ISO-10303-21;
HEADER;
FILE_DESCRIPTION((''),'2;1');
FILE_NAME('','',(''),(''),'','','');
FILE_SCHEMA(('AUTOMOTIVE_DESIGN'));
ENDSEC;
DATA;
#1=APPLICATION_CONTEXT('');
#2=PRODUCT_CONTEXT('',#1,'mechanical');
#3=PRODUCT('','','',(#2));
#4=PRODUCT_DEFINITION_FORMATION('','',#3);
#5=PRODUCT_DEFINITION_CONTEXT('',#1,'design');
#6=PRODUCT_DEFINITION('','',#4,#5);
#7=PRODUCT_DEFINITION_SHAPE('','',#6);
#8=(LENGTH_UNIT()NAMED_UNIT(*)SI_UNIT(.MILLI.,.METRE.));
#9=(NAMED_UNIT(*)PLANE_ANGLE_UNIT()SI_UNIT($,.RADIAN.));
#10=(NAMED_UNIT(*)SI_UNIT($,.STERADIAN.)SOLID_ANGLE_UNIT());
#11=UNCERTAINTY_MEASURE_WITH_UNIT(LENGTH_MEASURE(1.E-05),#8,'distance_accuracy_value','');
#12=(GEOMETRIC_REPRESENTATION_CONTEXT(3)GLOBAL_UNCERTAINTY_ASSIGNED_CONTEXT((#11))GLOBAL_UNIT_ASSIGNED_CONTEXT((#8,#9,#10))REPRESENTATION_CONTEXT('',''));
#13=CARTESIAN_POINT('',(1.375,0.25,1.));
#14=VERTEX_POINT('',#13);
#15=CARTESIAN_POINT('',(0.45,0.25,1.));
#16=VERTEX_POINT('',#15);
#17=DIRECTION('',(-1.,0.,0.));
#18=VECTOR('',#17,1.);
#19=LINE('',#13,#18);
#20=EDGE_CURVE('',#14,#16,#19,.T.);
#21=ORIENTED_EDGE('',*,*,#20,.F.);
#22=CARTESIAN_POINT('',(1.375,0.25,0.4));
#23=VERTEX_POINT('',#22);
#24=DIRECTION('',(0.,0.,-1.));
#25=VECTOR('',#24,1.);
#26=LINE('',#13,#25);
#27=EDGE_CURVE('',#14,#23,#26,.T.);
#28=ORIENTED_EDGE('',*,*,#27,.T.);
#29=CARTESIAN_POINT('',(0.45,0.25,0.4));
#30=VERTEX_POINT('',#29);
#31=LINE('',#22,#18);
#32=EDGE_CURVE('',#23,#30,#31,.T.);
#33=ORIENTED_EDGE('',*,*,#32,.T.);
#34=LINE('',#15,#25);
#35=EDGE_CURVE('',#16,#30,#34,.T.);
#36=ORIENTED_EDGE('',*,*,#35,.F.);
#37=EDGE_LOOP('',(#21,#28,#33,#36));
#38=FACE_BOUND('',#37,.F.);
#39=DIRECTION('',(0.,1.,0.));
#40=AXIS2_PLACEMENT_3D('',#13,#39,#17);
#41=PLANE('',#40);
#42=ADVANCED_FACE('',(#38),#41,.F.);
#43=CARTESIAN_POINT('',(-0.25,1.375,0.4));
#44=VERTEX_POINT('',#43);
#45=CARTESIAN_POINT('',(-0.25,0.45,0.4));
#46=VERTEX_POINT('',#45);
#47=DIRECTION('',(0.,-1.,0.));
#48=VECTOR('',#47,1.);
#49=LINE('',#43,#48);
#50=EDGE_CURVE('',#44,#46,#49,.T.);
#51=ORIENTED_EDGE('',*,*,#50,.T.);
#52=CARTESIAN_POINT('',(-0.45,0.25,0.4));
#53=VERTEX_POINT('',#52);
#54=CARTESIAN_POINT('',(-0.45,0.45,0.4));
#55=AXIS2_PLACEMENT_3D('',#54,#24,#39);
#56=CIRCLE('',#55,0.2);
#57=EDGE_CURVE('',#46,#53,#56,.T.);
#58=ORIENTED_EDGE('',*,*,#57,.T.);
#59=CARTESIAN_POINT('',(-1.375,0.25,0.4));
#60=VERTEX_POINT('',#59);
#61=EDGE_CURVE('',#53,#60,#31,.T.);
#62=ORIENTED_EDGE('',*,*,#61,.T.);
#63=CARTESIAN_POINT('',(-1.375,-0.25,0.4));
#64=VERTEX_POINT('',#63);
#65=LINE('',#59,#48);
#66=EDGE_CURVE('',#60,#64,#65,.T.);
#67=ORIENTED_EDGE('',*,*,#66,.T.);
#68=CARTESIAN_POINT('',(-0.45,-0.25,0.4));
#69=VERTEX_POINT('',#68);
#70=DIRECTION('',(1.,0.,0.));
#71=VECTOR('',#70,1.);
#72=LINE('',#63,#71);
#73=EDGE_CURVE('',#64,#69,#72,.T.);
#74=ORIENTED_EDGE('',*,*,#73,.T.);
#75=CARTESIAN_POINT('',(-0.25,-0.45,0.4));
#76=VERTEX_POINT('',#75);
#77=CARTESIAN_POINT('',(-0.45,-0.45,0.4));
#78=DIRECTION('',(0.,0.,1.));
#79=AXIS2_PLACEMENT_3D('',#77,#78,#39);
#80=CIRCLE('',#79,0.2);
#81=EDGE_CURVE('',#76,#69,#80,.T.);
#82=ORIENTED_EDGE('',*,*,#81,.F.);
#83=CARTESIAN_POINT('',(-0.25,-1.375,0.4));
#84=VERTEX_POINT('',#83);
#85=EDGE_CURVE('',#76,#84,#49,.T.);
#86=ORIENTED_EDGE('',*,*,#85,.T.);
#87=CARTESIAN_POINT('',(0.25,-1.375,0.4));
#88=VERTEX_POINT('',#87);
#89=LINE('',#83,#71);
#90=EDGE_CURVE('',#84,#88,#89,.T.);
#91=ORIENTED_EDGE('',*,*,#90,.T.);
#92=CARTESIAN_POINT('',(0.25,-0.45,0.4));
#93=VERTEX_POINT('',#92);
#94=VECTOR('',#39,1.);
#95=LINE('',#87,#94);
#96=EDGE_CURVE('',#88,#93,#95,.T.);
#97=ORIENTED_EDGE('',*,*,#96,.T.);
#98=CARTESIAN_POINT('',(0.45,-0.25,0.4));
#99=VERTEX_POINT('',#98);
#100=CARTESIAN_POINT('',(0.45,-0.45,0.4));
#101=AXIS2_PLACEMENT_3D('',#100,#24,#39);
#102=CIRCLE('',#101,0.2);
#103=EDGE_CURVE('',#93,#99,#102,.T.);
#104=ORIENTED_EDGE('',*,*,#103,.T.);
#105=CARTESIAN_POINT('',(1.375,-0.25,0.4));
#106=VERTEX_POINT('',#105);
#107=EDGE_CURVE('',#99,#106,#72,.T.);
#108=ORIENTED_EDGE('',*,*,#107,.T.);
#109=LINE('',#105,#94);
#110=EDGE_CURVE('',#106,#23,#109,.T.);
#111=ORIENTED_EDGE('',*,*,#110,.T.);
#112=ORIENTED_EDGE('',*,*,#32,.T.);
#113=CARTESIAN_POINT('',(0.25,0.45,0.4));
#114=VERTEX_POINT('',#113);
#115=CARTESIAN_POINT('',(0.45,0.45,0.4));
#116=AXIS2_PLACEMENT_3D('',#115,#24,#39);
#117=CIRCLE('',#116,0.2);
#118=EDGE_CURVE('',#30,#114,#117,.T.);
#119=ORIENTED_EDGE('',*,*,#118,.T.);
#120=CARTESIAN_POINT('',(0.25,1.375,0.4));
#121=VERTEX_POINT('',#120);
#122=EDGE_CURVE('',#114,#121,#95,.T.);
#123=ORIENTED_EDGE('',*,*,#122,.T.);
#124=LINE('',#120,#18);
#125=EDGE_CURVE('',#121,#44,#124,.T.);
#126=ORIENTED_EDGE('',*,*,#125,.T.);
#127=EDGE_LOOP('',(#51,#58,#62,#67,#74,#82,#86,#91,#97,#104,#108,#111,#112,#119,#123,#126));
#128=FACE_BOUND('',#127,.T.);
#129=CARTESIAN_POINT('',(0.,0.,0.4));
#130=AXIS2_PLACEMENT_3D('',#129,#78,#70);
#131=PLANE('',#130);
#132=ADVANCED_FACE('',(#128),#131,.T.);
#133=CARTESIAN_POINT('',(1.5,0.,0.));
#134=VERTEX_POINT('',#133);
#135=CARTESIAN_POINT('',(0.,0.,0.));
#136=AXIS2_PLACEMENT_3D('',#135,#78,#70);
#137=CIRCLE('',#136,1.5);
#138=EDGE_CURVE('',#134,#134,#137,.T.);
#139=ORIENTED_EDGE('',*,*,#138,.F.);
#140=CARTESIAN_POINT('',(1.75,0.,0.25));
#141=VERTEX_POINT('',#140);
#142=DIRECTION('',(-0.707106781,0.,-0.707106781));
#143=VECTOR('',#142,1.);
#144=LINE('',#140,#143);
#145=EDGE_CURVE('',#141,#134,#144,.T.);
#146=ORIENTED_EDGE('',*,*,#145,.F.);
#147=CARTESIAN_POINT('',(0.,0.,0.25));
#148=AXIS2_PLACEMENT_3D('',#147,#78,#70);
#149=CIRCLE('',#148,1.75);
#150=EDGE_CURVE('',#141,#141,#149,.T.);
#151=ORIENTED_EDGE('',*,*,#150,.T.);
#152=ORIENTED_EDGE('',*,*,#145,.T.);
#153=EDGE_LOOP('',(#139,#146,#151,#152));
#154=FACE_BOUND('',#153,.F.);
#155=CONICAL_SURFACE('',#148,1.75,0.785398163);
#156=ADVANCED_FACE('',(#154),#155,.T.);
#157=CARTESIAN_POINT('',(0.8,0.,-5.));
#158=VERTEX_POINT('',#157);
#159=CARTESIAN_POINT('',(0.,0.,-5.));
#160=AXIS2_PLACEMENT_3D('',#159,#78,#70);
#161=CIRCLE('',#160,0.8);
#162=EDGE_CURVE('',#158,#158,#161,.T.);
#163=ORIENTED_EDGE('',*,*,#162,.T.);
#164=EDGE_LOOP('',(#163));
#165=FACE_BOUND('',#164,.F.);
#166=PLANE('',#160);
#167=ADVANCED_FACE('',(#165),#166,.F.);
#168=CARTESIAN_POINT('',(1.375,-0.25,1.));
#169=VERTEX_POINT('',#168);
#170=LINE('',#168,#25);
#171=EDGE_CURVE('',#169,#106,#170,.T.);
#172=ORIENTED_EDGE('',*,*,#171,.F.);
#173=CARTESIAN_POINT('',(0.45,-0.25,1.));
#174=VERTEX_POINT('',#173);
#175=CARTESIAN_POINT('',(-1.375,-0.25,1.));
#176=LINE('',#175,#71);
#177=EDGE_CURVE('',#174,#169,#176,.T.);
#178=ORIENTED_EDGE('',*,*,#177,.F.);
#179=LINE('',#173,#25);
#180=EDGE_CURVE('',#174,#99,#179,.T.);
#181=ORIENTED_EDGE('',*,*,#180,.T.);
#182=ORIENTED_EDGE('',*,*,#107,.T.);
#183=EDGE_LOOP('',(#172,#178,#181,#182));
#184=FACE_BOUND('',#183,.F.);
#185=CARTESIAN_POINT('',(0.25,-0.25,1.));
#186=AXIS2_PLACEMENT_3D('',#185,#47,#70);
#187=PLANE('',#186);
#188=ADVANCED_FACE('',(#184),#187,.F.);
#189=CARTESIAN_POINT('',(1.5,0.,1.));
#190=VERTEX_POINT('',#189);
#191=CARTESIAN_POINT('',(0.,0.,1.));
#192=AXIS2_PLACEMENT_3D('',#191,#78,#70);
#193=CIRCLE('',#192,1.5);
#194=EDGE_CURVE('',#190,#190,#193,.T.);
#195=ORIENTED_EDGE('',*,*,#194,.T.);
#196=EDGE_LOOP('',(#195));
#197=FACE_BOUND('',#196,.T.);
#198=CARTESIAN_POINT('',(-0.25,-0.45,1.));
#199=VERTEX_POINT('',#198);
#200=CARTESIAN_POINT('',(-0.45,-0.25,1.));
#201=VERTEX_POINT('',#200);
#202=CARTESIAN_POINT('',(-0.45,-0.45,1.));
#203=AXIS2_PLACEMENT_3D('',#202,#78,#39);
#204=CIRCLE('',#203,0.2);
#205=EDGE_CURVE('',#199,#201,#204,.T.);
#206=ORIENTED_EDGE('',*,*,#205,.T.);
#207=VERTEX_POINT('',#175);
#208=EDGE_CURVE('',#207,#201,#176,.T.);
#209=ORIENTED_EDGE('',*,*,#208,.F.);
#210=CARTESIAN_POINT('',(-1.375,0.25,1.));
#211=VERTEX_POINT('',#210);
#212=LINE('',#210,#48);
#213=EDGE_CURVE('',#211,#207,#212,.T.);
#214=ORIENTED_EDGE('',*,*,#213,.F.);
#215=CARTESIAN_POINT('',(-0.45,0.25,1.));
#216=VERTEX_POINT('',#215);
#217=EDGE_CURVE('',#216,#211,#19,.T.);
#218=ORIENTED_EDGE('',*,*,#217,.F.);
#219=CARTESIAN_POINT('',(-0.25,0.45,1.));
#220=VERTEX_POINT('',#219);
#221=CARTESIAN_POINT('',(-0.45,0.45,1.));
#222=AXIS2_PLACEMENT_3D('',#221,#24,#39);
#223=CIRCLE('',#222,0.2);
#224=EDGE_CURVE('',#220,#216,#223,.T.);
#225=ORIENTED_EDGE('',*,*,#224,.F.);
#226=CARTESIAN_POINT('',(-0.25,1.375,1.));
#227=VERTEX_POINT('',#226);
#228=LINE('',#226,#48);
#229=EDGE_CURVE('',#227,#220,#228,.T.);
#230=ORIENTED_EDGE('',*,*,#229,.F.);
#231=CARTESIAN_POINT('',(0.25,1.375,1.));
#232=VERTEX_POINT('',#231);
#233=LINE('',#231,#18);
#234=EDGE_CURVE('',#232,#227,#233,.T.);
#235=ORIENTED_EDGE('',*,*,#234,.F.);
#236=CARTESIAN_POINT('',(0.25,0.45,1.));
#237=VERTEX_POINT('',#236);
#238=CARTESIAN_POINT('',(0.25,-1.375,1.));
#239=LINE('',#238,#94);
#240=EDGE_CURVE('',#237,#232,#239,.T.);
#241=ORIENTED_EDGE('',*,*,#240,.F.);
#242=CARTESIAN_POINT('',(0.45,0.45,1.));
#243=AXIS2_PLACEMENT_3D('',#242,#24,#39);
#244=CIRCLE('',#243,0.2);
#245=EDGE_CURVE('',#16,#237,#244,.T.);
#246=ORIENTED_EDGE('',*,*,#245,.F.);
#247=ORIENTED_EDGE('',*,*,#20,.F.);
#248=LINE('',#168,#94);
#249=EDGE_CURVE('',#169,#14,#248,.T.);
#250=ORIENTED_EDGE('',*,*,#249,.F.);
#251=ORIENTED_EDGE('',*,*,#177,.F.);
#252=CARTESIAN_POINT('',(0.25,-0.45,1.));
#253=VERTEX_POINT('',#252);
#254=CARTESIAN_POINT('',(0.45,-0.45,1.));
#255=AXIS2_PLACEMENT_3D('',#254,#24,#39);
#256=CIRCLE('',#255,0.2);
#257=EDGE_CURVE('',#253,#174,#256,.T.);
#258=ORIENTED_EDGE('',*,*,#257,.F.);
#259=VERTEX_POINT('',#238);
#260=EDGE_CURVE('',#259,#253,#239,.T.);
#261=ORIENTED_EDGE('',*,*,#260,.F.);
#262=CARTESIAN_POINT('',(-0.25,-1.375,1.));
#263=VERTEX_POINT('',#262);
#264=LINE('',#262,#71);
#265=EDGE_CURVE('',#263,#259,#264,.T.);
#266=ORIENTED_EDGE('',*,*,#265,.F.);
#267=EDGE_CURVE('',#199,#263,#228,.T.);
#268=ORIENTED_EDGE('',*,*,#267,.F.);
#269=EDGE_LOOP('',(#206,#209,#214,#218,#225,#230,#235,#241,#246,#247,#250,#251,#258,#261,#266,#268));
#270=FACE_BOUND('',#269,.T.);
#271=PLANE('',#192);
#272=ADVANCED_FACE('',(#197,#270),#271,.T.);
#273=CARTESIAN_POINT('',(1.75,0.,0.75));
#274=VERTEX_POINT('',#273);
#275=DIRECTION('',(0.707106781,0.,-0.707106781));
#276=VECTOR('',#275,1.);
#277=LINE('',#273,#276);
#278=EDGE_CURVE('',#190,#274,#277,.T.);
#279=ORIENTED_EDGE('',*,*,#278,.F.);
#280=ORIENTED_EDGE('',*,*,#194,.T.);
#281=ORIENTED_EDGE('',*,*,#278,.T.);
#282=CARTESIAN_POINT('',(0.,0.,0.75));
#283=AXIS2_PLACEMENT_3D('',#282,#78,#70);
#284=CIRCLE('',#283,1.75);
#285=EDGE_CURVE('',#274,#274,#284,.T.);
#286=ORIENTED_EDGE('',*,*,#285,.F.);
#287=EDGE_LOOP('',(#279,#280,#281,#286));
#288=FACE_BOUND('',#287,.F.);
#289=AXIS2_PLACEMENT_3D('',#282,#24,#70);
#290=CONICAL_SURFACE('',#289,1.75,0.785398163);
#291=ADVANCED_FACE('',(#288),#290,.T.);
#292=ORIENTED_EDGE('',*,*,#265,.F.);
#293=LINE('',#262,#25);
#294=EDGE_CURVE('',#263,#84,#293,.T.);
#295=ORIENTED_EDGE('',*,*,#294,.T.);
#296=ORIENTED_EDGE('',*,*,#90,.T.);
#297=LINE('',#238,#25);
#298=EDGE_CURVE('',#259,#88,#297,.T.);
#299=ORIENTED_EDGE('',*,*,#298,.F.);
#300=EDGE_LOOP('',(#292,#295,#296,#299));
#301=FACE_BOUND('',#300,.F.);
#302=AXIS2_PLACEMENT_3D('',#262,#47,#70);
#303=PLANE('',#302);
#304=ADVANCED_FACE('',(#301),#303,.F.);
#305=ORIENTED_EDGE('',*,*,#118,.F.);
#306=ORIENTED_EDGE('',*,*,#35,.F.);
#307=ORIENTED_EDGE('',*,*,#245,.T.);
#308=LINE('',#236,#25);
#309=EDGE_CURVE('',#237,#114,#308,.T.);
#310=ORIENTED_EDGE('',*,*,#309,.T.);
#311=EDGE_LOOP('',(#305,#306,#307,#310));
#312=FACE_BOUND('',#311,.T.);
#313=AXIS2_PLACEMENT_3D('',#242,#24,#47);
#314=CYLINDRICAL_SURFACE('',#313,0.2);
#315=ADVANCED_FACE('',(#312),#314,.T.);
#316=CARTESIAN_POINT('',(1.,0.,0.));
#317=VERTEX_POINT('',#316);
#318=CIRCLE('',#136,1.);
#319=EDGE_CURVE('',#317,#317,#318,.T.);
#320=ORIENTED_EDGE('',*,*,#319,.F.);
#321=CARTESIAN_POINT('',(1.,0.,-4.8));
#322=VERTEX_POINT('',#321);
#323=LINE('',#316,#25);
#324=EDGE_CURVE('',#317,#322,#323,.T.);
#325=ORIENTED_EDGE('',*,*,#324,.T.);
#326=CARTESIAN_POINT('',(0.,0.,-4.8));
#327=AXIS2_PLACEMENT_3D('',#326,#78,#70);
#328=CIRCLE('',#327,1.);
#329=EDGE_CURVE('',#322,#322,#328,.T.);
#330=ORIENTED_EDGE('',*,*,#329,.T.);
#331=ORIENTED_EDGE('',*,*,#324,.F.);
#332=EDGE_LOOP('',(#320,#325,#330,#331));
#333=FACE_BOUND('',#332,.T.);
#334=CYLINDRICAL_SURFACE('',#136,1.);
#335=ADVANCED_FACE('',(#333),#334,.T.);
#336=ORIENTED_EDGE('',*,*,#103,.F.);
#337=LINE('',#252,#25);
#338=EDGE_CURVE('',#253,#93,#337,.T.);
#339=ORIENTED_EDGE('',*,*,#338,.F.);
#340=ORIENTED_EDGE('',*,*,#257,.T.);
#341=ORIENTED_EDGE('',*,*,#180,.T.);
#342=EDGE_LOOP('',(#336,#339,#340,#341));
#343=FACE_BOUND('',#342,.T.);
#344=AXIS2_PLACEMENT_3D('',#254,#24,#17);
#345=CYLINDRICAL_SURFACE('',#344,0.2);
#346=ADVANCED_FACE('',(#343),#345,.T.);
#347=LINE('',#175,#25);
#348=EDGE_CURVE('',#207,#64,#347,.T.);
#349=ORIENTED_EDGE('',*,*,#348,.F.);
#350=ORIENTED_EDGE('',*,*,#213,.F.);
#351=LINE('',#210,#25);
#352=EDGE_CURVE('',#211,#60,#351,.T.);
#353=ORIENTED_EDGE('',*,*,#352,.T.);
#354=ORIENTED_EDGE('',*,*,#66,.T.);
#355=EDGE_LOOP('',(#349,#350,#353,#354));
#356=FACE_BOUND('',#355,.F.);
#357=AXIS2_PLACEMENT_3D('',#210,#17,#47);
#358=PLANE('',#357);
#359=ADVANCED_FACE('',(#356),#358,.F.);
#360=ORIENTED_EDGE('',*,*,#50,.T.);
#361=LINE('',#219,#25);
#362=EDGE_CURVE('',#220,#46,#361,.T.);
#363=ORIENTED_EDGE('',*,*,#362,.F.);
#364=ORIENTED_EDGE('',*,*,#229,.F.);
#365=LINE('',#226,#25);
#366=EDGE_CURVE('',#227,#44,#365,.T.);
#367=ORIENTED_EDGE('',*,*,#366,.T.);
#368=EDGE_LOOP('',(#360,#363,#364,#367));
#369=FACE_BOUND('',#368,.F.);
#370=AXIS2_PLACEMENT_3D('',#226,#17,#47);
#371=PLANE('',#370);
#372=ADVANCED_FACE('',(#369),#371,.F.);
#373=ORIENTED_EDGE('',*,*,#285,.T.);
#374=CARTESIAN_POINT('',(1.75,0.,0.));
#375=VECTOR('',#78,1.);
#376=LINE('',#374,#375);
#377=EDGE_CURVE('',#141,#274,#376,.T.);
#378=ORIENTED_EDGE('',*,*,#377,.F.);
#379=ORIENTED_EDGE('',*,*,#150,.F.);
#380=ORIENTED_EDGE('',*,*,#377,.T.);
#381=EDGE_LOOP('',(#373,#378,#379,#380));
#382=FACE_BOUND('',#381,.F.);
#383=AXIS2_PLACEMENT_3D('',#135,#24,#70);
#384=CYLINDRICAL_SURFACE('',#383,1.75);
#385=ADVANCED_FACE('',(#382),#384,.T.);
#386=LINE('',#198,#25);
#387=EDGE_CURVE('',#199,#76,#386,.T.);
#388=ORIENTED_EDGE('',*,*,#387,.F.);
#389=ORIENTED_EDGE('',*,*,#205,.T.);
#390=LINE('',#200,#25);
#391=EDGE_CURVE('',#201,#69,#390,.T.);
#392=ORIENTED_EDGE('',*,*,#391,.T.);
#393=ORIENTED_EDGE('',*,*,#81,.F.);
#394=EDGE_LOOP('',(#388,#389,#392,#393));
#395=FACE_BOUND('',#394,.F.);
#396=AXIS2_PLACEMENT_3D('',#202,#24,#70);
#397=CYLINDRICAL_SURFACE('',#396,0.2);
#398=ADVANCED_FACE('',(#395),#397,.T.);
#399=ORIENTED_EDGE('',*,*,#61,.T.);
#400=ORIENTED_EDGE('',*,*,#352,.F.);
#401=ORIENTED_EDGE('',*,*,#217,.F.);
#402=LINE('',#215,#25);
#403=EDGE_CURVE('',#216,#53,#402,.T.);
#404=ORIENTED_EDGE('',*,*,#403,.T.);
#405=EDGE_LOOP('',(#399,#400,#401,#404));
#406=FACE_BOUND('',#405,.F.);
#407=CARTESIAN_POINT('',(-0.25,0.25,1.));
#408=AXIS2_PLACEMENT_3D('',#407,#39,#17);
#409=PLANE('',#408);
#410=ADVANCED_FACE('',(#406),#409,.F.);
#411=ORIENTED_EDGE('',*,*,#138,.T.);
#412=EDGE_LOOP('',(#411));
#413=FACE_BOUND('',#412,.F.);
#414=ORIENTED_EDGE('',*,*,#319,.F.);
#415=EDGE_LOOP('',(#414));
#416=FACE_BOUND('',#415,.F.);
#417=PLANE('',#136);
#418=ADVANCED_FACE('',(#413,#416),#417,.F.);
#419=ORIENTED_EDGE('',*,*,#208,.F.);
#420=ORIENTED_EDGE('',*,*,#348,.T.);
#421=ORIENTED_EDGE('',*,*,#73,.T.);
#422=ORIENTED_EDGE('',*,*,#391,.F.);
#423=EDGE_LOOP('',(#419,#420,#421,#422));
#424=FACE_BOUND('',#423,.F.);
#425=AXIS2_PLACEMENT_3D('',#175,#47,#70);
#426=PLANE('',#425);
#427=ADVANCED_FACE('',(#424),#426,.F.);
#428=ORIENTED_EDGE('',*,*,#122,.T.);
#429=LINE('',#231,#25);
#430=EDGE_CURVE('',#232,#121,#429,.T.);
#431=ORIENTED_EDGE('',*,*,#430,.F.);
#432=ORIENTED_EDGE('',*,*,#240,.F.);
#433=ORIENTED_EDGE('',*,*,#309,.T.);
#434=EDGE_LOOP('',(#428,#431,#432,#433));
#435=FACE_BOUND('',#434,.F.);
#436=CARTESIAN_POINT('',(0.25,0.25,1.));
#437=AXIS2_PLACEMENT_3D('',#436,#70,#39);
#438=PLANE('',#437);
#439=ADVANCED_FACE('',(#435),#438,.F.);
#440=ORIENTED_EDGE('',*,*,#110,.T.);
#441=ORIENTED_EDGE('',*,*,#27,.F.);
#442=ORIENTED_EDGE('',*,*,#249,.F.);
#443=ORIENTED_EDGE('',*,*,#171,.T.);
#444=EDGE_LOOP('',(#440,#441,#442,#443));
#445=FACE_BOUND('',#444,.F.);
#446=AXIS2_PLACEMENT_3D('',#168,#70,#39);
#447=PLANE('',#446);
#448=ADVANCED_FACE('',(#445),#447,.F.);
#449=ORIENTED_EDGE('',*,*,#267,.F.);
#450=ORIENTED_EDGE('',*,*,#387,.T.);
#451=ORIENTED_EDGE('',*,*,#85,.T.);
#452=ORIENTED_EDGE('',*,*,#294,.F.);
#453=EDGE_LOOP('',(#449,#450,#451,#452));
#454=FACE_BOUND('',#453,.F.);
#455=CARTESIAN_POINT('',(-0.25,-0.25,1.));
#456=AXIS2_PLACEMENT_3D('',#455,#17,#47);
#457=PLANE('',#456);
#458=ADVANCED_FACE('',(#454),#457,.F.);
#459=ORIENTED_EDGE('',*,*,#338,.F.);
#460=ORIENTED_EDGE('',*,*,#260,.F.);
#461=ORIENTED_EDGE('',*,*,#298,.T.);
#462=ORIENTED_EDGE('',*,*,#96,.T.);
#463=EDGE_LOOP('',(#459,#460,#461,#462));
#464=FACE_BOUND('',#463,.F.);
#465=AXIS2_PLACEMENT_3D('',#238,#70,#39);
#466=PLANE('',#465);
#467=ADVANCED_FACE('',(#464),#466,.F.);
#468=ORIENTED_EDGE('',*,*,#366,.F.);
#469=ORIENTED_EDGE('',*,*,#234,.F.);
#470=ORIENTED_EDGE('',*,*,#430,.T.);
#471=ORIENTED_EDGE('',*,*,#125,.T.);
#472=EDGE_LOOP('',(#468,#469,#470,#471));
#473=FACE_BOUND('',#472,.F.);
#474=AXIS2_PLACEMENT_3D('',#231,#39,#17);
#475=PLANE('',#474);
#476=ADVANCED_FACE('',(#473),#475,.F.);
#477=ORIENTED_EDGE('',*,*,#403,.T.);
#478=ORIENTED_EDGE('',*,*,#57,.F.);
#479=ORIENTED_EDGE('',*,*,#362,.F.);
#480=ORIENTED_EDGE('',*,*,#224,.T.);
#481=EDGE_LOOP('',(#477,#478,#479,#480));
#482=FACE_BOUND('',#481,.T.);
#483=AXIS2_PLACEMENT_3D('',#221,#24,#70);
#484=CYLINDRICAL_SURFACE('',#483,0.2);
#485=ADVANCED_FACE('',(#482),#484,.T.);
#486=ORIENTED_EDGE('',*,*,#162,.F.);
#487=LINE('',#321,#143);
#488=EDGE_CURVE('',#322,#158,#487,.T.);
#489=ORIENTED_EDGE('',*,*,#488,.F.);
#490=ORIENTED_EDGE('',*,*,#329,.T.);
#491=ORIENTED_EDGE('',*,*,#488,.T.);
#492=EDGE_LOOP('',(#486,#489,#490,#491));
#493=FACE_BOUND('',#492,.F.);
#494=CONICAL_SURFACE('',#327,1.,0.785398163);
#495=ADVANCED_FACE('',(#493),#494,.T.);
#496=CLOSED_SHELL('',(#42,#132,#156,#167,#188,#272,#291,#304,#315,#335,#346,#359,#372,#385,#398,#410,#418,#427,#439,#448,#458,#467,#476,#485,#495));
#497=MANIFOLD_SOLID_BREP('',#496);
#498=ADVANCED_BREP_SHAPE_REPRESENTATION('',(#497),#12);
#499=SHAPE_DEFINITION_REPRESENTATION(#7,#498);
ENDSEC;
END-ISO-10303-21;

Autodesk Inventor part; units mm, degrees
ref_plane "YZ Plane" through (0, 0, 0) normal (1, 0, 0) x (0, 1, 0)
ref_plane "XZ Plane" through (0, 0, 0) normal (0, 1, 0) x (-1, 0, 0)
ref_plane "XY Plane" through (0, 0, 0) normal (0, 0, 1) x (1, 0, 0)
sketch "Esboço1" plane through (0, 0, 0) normal (0, 0, 1) x (1, 0, 0)
  circle A0 centre (0, 0) radius 1
  dimension "d0" = 2
extrude "Extrusão1" add sketch "Esboço1" against normal blind 5
sketch "Esboço2" plane through (0, 0, 0) normal (0, 0, 1) x (1, 0, 0)
  circle A0 centre (0, 0) radius 1.75
  dimension "d3" = 3.5
extrude "Extrusão2" add sketch "Esboço2" along normal blind 1
sketch "Esboço3" plane through (0, 0, 1) normal (0, 0, 1) x (1, 0, 0)
  line L0 (-0.25, -1.375) -> (0.25, -1.375)
  line L1 (0.25, -1.375) -> (0.25, 1.375)
  line L2 (0.25, 1.375) -> (-0.25, 1.375)
  line L3 (-0.25, 1.375) -> (-0.25, -1.375)
  line L4 (-0.25, -1.375) -> (0.25, 1.375) construction
  line L5 (0.25, -1.375) -> (-0.25, 1.375) construction
  line L6 (-1.375, -0.25) -> (1.375, -0.25)
  line L7 (1.375, -0.25) -> (1.375, 0.25)
  line L8 (1.375, 0.25) -> (-1.375, 0.25)
  line L9 (-1.375, 0.25) -> (-1.375, -0.25)
  line L10 (-1.375, -0.25) -> (1.375, 0.25) construction
  line L11 (1.375, -0.25) -> (-1.375, 0.25) construction
  point P0 (0, 0)
  point P1 (-0.25, 0.25)
  point P2 (-0.25, -0.25)
  point P3 (0.25, -0.25)
  point P4 (0.25, 0.25)
  dimension "d6" = 0.5
  dimension "d7" = 0.5
  dimension "d8" = 2.75
  dimension "d9" = 2.75
extrude "Extrusão3" cut sketch "Esboço3" against normal blind 0.6
thread "Rosca1" size "M2x0.4" class "6g" standard "ANSI Metric M Profile" length 15.255
fillet "Arredondamento2" radius 0.2 4 edges at (-0.25, 0.25, 0.7) (0.25, 0.25, 0.7) (-0.25, -0.25, 0.7) (0.25, -0.25, 0.7)
chamfer "Chanfro1" distance 0.25 angle 45 2 edges at (-1.75, 0, 1) (-1.75, 0, 0)
chamfer "Chanfro2" distance 0.2 angle 45 1 edges at (-1, 0, -5)
properties part number "Parafuso 2 mm" material "Liga de Nickel-Copper 400"
